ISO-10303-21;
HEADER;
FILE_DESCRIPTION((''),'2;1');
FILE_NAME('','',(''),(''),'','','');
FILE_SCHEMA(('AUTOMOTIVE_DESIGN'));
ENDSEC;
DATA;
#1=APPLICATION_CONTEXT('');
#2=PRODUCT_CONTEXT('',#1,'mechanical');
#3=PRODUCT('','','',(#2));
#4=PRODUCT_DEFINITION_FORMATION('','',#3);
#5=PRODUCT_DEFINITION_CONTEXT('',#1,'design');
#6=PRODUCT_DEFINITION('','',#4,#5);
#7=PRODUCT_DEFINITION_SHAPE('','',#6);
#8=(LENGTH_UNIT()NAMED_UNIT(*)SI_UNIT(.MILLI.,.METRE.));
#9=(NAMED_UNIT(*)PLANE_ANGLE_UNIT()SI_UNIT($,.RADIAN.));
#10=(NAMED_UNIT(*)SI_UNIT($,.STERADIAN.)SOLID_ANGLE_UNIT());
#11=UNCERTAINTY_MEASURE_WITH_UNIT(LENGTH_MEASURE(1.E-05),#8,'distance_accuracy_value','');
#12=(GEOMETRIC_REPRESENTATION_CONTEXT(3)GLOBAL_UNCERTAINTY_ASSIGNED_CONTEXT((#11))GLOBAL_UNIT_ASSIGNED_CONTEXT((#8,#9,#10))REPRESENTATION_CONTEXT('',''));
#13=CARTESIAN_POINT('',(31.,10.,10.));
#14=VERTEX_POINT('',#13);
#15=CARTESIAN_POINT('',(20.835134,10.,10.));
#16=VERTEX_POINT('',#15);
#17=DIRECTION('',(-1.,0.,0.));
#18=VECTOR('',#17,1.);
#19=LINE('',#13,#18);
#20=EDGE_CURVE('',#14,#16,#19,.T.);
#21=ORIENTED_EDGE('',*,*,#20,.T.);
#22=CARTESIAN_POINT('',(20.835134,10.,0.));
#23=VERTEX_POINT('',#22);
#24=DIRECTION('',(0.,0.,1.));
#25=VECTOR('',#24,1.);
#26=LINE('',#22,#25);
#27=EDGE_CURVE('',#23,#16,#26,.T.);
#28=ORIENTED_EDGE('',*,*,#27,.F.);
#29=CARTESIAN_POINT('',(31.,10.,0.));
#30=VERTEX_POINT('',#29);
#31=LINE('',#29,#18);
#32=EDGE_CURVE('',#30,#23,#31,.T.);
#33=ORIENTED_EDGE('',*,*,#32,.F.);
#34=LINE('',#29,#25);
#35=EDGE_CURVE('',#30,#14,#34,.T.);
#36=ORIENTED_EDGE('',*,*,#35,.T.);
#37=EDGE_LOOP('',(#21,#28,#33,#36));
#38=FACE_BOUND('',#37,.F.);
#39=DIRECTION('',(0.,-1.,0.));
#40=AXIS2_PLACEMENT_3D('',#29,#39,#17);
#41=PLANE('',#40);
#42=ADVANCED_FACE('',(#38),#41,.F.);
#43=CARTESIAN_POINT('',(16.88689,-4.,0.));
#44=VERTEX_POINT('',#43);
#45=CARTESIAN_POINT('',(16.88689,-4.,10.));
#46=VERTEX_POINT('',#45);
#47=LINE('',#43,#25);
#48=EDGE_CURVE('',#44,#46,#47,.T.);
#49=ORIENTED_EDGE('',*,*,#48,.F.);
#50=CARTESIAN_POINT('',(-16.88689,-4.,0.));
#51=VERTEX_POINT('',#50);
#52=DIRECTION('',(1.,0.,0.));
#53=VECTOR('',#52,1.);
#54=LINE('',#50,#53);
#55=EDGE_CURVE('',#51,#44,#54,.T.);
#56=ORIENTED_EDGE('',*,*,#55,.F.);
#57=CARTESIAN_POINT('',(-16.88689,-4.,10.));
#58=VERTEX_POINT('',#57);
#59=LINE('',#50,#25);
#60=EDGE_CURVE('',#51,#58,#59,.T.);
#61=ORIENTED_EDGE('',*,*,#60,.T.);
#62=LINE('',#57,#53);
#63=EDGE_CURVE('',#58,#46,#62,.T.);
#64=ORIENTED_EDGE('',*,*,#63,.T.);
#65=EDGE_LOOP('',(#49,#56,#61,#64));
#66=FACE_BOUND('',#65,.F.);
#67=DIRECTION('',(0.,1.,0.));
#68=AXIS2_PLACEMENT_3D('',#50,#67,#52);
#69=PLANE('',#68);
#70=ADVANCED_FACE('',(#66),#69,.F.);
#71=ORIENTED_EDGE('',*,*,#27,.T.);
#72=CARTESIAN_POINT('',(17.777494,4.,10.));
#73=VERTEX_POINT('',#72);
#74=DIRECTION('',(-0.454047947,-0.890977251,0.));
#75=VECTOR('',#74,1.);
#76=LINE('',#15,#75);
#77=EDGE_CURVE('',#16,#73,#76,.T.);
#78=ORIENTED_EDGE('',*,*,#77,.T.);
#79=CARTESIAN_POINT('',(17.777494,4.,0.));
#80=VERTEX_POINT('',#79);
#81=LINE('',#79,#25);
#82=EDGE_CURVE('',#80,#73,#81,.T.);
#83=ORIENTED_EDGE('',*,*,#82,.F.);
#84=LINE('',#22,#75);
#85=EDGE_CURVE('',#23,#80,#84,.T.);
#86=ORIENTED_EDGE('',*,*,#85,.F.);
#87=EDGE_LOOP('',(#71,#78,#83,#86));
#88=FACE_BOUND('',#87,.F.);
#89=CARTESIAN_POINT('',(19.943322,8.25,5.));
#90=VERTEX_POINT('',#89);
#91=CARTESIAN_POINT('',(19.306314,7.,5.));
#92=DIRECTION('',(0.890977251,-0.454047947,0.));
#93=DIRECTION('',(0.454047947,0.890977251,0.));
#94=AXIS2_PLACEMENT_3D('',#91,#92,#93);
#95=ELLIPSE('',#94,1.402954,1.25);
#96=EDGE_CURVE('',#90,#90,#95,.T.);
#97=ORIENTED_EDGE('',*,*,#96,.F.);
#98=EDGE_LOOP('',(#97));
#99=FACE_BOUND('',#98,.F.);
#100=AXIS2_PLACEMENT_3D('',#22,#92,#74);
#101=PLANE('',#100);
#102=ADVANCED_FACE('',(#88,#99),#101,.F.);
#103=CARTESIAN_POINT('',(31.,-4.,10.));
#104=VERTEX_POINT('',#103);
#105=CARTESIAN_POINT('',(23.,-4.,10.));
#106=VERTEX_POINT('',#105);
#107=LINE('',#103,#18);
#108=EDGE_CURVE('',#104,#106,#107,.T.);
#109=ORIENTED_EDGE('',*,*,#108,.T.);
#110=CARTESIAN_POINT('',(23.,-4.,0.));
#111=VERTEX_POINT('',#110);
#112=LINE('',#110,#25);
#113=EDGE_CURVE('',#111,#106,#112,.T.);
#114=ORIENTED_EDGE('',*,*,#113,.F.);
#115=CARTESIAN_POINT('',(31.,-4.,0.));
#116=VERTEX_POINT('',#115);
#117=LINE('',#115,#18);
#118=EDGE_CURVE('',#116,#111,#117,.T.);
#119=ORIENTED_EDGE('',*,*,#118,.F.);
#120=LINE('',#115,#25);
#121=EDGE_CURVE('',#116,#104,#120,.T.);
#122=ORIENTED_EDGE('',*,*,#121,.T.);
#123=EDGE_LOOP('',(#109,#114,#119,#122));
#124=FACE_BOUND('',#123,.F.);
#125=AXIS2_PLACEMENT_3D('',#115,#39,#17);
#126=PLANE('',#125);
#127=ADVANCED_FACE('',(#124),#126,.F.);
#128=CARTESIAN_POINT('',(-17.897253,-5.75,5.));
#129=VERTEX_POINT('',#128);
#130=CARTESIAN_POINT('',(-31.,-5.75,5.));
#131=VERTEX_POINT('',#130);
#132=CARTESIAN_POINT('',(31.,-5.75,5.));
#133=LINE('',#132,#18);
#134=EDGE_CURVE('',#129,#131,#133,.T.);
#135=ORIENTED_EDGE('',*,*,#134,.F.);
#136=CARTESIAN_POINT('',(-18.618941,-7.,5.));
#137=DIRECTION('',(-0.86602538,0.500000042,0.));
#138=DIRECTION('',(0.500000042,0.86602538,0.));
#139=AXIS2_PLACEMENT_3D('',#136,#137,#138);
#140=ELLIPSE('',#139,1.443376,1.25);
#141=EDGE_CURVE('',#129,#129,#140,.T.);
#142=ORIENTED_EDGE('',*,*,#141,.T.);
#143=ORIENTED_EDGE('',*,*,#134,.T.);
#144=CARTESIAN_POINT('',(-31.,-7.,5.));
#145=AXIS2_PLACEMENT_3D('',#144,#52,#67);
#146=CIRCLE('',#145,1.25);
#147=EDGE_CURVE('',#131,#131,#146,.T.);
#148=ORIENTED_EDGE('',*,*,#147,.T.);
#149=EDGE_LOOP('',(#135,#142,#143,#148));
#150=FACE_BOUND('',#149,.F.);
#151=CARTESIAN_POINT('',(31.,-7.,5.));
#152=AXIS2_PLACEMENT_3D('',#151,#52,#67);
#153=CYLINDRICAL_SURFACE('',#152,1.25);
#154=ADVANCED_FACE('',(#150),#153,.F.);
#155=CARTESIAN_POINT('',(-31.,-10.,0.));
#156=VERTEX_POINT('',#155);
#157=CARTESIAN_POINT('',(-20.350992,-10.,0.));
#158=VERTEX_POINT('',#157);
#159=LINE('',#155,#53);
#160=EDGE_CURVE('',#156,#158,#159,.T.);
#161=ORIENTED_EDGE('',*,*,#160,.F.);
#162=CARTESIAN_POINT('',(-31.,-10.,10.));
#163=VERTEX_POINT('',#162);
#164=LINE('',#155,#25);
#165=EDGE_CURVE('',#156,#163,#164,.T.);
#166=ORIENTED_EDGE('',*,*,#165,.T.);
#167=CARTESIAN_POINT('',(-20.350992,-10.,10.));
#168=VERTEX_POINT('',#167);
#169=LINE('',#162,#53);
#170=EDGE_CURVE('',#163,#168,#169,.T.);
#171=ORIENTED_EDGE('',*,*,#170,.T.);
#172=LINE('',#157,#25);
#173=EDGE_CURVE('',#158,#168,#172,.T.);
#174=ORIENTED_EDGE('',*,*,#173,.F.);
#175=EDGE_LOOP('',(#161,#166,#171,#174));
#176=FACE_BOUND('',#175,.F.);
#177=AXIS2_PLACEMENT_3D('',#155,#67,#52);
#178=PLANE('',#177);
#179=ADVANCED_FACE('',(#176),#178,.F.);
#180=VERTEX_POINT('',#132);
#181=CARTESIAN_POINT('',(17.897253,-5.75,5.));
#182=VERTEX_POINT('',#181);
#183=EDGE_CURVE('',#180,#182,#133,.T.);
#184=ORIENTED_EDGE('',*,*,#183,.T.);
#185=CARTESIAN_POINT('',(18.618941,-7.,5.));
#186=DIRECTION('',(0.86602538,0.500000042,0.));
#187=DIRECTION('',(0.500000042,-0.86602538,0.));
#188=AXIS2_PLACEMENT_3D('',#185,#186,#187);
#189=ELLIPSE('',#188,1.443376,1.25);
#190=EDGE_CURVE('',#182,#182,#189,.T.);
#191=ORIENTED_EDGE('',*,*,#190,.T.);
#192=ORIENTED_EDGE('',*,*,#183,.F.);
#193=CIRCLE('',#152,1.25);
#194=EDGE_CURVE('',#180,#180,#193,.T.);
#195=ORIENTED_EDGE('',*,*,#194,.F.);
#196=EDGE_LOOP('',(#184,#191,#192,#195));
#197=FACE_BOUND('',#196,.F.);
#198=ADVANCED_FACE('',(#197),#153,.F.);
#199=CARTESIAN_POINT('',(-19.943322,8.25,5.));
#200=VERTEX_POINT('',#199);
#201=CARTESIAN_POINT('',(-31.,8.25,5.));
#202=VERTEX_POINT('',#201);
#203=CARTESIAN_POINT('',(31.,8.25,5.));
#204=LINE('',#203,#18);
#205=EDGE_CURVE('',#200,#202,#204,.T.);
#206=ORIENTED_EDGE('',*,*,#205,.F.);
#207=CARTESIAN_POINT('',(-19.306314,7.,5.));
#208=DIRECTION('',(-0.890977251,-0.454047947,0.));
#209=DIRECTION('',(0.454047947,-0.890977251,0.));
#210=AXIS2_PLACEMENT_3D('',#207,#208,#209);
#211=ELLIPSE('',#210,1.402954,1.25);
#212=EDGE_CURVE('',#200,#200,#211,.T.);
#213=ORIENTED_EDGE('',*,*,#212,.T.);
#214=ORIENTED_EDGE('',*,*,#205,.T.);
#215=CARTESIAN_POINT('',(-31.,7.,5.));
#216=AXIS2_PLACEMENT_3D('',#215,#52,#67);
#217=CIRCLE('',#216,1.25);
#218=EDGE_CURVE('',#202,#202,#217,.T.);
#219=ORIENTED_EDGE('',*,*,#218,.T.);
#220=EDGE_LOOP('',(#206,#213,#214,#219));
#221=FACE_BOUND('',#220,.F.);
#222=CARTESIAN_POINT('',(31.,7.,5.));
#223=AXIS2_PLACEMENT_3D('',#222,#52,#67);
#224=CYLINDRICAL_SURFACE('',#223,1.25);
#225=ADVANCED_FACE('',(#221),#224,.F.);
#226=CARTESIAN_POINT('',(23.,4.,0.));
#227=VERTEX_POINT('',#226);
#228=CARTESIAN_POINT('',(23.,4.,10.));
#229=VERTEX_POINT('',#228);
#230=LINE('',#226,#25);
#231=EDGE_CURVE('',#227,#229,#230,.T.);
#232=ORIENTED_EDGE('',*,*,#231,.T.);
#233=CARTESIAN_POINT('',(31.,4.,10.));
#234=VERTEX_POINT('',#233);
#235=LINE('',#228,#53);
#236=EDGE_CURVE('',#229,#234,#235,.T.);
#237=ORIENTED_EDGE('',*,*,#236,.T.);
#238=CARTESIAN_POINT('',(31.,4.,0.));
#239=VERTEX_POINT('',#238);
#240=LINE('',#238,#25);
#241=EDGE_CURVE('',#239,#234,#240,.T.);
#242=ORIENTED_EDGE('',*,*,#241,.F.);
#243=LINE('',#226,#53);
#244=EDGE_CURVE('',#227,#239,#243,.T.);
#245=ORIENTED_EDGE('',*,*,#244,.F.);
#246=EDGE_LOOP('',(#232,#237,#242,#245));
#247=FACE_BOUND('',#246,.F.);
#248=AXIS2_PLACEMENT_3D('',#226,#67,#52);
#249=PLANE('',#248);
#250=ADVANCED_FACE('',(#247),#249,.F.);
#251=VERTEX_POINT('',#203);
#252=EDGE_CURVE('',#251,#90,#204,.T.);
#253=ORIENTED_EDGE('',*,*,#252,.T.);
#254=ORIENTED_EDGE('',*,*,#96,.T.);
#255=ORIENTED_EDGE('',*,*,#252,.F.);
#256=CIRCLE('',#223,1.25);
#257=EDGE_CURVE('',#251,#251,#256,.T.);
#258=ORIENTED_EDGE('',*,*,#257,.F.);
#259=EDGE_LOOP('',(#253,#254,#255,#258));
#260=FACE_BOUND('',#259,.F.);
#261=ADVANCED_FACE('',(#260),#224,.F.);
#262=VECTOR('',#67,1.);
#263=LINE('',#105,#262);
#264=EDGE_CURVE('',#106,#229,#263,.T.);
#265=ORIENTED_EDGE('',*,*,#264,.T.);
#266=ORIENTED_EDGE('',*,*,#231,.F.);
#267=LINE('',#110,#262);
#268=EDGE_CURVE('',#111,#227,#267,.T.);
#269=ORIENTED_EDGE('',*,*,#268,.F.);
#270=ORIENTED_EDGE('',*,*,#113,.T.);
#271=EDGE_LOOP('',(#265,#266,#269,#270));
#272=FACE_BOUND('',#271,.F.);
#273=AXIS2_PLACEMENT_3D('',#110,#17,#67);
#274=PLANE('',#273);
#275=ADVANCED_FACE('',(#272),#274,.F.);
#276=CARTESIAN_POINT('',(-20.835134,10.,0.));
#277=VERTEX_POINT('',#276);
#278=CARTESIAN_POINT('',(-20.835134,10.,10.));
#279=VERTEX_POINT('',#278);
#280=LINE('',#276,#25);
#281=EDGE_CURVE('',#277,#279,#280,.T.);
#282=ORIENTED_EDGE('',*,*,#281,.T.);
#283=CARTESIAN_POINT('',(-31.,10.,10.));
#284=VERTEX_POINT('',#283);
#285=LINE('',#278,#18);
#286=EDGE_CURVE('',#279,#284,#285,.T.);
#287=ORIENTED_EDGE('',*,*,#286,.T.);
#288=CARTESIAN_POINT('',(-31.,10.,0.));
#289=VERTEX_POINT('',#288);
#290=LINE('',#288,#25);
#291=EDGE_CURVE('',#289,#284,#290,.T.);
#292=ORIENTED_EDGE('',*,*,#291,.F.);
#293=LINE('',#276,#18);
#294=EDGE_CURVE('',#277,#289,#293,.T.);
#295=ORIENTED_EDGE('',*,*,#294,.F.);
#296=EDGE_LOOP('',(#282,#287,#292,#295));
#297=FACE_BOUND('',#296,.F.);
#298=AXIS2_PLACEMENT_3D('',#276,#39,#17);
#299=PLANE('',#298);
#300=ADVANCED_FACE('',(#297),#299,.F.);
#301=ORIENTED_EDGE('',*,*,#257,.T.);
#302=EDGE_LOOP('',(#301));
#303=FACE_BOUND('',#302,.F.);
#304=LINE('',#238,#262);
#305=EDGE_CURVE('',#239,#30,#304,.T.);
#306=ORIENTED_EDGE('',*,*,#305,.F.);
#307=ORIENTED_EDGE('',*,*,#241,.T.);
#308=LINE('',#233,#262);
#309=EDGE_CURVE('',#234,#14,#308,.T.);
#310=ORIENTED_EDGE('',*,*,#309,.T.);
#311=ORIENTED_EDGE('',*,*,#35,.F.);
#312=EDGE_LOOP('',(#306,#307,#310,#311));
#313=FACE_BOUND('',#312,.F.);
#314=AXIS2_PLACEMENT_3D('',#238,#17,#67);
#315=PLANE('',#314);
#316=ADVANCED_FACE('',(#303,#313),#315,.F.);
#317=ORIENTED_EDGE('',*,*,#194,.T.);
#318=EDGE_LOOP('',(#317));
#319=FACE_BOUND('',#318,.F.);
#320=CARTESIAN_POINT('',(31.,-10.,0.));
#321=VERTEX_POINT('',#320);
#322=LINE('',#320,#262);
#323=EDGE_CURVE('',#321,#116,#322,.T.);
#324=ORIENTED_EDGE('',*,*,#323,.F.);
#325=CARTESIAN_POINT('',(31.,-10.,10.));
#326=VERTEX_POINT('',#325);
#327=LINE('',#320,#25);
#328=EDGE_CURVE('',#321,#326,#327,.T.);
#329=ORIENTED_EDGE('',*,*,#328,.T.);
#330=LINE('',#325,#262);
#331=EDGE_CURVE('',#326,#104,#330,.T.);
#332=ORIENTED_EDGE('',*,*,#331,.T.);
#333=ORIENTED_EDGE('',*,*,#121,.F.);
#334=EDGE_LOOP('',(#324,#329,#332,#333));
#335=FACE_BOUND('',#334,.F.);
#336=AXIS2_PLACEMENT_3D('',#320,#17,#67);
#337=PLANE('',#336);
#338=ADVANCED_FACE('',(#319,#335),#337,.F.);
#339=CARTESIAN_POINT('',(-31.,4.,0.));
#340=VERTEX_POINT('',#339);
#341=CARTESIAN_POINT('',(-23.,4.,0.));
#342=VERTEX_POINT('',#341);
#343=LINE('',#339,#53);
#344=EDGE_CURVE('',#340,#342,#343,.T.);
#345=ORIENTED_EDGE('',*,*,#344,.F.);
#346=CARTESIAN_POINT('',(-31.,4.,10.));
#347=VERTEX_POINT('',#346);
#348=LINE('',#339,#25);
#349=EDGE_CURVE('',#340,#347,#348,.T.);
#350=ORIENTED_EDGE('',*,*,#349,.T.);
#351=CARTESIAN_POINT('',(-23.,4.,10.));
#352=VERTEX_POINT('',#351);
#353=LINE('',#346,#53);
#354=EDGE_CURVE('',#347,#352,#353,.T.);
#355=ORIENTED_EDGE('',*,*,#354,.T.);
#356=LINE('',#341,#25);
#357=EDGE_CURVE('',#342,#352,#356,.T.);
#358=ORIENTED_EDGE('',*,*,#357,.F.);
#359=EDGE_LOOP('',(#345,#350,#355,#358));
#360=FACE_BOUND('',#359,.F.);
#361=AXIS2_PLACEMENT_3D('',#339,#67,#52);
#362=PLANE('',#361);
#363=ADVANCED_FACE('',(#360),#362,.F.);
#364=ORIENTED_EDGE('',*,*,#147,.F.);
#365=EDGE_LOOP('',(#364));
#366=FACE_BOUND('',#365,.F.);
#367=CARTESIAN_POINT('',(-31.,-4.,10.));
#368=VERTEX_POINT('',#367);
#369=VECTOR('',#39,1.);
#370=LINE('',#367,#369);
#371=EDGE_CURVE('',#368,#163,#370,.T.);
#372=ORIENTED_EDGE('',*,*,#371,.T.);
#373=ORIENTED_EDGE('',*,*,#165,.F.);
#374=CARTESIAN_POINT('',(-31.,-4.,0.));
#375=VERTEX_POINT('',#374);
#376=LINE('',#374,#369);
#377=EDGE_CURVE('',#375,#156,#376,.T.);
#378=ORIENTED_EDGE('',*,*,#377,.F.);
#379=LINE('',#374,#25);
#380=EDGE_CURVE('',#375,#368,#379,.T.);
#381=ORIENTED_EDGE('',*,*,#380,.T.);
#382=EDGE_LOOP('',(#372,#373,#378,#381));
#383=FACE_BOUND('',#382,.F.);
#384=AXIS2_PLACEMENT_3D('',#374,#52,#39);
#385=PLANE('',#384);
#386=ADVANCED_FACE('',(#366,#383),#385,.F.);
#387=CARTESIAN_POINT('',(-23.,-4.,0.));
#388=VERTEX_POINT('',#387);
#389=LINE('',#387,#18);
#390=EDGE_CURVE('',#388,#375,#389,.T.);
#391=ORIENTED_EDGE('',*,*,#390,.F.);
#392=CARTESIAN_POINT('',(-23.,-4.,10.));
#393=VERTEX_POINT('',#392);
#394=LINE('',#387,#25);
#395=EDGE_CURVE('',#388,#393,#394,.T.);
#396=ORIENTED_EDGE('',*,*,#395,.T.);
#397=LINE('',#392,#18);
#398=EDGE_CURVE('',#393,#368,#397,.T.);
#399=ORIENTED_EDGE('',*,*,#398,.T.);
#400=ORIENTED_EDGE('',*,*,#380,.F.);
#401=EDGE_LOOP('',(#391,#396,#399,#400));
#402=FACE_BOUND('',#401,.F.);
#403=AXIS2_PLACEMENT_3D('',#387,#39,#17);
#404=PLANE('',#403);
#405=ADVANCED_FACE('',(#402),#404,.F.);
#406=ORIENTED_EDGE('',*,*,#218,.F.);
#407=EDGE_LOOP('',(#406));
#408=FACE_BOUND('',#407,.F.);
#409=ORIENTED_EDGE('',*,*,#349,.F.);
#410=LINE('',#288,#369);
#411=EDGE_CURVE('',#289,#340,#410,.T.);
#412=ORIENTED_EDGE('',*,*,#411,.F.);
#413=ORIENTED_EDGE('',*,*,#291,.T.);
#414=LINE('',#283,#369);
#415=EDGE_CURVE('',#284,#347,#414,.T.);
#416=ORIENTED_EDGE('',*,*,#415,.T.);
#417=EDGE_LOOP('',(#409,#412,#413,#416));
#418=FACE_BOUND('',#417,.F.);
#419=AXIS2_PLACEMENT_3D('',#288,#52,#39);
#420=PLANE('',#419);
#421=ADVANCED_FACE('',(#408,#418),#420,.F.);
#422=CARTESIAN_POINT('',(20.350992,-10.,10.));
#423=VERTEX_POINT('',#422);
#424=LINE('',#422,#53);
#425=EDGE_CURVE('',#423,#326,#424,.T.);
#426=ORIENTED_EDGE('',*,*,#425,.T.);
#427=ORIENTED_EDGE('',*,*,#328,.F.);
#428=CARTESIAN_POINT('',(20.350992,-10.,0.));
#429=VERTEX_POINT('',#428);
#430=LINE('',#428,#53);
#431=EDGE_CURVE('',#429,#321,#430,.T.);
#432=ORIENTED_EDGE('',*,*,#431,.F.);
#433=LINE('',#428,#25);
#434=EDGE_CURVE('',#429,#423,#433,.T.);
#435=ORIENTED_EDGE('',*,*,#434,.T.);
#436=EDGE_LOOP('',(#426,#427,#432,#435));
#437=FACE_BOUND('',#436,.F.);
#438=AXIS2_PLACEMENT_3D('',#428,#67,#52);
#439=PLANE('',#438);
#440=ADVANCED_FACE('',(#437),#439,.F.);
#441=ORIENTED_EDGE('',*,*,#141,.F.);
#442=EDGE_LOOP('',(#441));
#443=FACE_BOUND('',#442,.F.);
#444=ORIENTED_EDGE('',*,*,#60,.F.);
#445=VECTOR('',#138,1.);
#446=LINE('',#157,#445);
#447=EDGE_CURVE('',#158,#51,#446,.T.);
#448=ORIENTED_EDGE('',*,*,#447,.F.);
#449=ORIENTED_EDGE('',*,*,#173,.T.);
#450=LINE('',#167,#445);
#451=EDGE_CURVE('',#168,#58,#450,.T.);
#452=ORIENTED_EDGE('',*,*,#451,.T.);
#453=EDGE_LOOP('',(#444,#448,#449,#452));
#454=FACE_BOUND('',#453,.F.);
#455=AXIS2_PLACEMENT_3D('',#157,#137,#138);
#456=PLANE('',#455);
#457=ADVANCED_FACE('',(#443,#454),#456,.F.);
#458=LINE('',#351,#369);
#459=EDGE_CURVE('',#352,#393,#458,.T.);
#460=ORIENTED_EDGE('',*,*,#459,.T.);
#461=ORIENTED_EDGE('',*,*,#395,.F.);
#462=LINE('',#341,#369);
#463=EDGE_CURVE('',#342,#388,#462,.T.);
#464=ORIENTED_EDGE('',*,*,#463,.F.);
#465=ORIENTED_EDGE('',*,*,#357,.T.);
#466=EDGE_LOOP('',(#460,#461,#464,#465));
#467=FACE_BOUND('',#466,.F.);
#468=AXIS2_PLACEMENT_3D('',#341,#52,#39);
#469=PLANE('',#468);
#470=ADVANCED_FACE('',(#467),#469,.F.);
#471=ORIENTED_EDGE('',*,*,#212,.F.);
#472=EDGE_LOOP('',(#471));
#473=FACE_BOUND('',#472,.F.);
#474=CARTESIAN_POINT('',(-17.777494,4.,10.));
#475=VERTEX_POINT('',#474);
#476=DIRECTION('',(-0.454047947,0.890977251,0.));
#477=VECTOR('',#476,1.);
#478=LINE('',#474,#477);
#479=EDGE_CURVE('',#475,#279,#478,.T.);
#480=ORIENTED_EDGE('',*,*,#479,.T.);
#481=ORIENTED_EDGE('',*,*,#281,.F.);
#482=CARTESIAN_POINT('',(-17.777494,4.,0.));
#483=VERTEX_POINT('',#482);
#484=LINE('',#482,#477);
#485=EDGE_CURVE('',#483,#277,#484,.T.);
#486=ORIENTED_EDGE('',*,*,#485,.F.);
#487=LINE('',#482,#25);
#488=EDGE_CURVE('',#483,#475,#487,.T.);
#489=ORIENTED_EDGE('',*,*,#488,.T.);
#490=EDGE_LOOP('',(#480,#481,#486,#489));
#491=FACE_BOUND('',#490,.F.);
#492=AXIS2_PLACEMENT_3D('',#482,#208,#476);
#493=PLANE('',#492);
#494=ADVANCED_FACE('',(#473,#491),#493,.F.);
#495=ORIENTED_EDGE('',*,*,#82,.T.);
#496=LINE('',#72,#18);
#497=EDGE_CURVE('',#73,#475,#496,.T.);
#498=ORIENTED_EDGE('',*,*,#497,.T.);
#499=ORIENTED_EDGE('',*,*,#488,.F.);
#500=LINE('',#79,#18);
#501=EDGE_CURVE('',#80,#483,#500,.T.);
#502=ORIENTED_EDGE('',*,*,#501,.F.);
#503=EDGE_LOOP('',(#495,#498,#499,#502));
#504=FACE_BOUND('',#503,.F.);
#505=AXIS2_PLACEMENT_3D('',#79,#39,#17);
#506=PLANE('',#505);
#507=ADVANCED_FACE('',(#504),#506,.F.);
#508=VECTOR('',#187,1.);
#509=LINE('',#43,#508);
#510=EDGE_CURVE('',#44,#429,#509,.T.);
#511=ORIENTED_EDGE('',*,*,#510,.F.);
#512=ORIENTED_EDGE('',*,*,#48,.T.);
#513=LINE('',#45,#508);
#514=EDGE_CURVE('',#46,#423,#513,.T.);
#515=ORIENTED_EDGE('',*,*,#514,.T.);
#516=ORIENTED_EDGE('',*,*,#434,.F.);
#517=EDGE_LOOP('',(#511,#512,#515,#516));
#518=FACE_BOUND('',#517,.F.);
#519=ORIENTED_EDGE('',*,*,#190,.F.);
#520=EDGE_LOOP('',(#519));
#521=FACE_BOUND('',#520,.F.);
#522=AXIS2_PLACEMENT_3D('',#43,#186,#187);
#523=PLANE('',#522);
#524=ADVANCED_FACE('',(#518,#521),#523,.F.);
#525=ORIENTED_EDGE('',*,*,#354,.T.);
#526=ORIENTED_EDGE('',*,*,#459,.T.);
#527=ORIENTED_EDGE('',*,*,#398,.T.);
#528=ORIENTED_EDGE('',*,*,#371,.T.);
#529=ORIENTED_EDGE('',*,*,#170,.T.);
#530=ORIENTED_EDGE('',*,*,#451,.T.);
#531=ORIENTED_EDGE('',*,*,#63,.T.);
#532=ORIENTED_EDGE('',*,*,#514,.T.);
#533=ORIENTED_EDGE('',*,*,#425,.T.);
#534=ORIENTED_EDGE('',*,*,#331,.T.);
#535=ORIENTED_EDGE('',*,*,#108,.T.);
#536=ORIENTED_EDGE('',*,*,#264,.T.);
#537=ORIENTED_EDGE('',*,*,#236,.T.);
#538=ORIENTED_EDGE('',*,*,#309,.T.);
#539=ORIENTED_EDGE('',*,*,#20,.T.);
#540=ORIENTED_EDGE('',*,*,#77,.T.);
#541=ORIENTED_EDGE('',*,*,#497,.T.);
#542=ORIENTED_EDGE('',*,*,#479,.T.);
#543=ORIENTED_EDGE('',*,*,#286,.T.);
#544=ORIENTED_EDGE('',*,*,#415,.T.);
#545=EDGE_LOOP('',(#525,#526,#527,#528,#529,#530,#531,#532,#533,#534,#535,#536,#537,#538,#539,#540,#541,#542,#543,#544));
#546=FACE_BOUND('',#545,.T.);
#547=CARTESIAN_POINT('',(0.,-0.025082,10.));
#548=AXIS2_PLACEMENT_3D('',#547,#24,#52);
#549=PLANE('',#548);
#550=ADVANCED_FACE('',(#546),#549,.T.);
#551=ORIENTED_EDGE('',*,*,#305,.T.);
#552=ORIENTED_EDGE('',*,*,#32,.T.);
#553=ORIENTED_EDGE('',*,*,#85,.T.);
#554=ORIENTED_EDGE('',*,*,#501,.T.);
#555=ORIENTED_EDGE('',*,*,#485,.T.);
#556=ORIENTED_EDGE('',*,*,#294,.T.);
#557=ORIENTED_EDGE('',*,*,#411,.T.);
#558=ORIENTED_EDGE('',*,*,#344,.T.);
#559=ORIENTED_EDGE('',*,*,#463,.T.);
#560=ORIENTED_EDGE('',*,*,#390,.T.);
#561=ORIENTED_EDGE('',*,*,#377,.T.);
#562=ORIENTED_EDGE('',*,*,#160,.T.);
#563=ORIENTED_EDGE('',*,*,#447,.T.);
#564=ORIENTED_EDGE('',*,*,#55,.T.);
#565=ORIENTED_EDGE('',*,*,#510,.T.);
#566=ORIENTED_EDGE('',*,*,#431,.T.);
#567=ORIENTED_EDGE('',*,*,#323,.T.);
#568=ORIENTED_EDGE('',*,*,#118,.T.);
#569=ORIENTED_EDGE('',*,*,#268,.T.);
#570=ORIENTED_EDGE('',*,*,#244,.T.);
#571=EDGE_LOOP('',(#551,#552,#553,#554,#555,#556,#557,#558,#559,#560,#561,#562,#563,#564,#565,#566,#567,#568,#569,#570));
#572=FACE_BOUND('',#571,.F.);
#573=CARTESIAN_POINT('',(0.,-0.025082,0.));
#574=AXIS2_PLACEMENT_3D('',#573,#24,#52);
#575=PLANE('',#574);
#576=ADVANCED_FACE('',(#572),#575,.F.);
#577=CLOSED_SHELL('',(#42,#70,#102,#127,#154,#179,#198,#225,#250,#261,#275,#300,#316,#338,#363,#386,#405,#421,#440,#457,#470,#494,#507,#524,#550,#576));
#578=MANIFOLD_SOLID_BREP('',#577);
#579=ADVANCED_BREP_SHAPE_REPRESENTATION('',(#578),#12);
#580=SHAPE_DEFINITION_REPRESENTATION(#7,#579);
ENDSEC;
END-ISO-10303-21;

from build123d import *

# Parameters (mm, degrees)
F1_DEPTH = 10
F2_R     = 1.25
F3_DEPTH = 62.001


with BuildPart() as f1:
    # F0 (on Top) → F1 (new body)
    with BuildSketch(Plane.XY):
        Polygon((31, 4), (31, 10), (20.835134, 10), (17.777494, 4), (0, 4), (-17.777494, 4), (-20.835134, 10), (-31, 10), (-31, 4), (-23, 4), (-23, -4), (-31, -4), (-31, -10), (-20.350992, -10), (-16.88689, -4), (0, -4), (16.88689, -4), (20.350992, -10), (31, -10), (31, -4), (23, -4), (23, 4), align=None)
    extrude(amount=F1_DEPTH)

    # F2 (on face) → F3 (cut, through all)
    with BuildSketch(Plane.YZ.offset(31)):
        with Locations((-7, 5)):
            Circle(F2_R)
        with Locations((7, 5)):
            Circle(F2_R)
    extrude(amount=-F3_DEPTH, mode=Mode.SUBTRACT)


solid = f1.part
